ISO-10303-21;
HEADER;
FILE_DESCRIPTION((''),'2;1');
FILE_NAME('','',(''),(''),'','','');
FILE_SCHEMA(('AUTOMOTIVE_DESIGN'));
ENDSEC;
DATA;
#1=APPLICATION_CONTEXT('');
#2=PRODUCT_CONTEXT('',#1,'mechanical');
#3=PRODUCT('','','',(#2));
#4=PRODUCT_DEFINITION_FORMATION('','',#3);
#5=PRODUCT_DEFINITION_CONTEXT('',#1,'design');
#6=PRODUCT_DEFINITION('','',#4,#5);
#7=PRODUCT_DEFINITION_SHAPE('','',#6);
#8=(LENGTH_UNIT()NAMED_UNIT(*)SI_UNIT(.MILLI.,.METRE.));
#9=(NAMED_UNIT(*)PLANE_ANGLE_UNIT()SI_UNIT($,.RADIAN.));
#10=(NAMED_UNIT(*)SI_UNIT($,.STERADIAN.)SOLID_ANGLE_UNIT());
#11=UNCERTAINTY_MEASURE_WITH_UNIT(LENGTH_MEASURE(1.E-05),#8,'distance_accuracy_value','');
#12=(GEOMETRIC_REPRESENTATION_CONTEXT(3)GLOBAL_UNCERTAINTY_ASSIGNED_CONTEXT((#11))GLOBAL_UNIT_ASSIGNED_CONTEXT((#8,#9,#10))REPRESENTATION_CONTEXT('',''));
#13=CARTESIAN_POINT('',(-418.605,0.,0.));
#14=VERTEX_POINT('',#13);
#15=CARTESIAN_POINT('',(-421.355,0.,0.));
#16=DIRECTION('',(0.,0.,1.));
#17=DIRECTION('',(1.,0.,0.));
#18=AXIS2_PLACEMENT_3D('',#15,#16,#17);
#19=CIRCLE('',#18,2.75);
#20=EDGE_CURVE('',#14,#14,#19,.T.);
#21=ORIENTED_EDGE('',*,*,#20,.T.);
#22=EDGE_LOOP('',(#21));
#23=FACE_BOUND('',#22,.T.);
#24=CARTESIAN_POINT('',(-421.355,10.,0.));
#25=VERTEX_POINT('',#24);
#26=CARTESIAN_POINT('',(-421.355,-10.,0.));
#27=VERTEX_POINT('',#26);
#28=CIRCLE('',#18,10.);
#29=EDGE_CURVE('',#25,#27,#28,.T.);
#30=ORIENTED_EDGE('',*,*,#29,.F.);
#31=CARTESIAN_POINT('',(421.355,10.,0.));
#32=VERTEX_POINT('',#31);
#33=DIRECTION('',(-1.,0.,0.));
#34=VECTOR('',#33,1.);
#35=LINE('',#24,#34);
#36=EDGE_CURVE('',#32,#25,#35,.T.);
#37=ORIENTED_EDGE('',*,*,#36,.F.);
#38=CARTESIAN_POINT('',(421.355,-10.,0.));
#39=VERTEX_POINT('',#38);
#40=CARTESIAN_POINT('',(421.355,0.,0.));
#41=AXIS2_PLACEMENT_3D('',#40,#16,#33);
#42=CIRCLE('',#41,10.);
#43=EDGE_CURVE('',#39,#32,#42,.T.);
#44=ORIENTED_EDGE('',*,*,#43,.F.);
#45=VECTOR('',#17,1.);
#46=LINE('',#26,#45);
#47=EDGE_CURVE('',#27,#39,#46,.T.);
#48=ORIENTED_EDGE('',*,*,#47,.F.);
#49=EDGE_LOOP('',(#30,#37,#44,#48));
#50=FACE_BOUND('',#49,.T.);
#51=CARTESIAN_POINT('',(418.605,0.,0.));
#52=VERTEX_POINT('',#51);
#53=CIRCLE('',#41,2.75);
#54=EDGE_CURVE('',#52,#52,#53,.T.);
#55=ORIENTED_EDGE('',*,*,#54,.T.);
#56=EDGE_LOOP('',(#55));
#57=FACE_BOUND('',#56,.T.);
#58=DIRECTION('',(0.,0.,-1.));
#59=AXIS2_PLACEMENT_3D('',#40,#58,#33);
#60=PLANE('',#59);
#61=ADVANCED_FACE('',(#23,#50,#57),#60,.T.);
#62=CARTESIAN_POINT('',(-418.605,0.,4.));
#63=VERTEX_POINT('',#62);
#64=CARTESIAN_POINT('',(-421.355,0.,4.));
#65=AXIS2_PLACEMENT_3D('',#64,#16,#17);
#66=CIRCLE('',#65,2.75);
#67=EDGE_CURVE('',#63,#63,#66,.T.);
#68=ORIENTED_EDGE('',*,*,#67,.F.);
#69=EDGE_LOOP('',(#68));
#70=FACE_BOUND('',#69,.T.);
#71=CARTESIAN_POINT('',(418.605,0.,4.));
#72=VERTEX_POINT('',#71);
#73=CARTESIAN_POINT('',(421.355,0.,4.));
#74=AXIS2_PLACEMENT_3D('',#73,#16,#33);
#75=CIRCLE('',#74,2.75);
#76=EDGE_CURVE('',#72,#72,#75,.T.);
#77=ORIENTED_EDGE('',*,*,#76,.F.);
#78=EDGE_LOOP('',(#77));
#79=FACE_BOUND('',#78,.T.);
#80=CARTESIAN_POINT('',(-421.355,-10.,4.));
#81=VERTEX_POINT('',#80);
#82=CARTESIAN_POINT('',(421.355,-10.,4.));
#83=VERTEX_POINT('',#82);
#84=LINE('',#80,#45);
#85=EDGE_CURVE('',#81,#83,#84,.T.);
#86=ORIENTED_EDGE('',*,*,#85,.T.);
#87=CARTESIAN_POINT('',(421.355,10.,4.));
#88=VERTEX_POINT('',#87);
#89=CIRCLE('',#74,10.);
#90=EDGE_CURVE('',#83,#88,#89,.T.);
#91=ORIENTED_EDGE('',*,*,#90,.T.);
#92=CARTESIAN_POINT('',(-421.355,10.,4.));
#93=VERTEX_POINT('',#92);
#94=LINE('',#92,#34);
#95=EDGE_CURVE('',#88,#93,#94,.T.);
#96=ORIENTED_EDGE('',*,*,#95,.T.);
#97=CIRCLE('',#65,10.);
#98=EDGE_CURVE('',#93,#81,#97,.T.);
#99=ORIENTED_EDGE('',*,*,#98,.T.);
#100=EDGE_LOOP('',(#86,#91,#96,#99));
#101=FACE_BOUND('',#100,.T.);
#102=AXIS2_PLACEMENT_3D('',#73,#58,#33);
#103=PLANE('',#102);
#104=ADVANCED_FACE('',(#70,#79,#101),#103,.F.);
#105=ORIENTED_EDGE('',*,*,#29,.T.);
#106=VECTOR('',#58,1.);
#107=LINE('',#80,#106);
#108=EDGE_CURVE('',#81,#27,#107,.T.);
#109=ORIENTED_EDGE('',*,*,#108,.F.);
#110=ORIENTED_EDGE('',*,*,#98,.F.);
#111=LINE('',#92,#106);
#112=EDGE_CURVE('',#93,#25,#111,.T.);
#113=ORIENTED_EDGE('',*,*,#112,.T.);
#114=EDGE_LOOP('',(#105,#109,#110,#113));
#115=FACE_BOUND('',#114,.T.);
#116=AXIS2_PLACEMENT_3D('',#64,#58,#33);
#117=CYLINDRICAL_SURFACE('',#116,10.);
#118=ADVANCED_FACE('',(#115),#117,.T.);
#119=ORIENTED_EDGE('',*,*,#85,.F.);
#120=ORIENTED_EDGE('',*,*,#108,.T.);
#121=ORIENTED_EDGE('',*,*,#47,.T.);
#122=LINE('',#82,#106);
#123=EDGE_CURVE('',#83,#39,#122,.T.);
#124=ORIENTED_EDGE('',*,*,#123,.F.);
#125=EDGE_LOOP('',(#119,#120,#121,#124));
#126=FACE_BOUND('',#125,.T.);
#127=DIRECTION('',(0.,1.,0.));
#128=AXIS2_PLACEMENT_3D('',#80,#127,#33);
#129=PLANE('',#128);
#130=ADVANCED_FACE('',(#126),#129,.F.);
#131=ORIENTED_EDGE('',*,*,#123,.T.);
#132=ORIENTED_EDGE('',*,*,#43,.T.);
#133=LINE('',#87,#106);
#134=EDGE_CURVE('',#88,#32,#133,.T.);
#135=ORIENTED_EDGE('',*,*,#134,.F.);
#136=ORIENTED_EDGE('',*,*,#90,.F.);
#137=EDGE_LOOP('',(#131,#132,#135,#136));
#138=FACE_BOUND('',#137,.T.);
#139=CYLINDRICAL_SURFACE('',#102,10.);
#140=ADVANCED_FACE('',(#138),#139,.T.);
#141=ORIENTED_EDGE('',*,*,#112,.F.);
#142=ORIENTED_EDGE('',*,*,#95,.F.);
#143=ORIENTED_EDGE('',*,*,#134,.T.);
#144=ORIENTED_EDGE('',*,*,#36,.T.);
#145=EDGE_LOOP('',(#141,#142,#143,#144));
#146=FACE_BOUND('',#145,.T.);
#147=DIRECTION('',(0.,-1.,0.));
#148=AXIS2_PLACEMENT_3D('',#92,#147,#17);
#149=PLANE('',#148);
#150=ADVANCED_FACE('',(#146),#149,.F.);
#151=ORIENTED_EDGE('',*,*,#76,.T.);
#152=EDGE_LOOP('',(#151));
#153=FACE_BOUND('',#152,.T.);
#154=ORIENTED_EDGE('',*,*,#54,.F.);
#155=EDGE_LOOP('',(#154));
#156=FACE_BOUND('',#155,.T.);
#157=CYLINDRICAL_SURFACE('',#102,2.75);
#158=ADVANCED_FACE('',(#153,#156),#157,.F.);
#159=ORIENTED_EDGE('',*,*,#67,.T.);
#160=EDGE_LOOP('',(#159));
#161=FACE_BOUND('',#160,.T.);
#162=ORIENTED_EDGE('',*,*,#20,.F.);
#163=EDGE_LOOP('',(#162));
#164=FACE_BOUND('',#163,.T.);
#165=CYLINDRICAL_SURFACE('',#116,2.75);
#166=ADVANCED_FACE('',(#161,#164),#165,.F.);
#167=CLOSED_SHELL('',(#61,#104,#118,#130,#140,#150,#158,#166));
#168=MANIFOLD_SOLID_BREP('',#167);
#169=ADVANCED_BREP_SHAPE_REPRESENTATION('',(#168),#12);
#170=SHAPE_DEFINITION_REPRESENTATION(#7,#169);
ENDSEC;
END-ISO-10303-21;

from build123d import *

# Parameters (mm, degrees)
SKETCH1_R           = 2.75
BOSS_EXTRUDE1_DEPTH = 4


with BuildPart() as part:
    # Sketch1 → Boss-Extrude1 (new body)
    with BuildSketch(Plane.XY):
        with BuildLine():
            Line((-421.355, -10), (421.355, -10))
            ThreePointArc((421.355, -10), (431.355, 0), (421.355, 10))
            Line((421.355, 10), (-421.355, 10))
            ThreePointArc((-421.355, 10), (-431.355, 0), (-421.355, -10))
        make_face()
        with Locations((-421.355, 0)):
            Circle(SKETCH1_R, mode=Mode.SUBTRACT)
        with Locations(Location((421.355, 0, 0), (0, 0, 180))):
            Circle(SKETCH1_R, mode=Mode.SUBTRACT)
    extrude(amount=BOSS_EXTRUDE1_DEPTH)


solid = part.part
